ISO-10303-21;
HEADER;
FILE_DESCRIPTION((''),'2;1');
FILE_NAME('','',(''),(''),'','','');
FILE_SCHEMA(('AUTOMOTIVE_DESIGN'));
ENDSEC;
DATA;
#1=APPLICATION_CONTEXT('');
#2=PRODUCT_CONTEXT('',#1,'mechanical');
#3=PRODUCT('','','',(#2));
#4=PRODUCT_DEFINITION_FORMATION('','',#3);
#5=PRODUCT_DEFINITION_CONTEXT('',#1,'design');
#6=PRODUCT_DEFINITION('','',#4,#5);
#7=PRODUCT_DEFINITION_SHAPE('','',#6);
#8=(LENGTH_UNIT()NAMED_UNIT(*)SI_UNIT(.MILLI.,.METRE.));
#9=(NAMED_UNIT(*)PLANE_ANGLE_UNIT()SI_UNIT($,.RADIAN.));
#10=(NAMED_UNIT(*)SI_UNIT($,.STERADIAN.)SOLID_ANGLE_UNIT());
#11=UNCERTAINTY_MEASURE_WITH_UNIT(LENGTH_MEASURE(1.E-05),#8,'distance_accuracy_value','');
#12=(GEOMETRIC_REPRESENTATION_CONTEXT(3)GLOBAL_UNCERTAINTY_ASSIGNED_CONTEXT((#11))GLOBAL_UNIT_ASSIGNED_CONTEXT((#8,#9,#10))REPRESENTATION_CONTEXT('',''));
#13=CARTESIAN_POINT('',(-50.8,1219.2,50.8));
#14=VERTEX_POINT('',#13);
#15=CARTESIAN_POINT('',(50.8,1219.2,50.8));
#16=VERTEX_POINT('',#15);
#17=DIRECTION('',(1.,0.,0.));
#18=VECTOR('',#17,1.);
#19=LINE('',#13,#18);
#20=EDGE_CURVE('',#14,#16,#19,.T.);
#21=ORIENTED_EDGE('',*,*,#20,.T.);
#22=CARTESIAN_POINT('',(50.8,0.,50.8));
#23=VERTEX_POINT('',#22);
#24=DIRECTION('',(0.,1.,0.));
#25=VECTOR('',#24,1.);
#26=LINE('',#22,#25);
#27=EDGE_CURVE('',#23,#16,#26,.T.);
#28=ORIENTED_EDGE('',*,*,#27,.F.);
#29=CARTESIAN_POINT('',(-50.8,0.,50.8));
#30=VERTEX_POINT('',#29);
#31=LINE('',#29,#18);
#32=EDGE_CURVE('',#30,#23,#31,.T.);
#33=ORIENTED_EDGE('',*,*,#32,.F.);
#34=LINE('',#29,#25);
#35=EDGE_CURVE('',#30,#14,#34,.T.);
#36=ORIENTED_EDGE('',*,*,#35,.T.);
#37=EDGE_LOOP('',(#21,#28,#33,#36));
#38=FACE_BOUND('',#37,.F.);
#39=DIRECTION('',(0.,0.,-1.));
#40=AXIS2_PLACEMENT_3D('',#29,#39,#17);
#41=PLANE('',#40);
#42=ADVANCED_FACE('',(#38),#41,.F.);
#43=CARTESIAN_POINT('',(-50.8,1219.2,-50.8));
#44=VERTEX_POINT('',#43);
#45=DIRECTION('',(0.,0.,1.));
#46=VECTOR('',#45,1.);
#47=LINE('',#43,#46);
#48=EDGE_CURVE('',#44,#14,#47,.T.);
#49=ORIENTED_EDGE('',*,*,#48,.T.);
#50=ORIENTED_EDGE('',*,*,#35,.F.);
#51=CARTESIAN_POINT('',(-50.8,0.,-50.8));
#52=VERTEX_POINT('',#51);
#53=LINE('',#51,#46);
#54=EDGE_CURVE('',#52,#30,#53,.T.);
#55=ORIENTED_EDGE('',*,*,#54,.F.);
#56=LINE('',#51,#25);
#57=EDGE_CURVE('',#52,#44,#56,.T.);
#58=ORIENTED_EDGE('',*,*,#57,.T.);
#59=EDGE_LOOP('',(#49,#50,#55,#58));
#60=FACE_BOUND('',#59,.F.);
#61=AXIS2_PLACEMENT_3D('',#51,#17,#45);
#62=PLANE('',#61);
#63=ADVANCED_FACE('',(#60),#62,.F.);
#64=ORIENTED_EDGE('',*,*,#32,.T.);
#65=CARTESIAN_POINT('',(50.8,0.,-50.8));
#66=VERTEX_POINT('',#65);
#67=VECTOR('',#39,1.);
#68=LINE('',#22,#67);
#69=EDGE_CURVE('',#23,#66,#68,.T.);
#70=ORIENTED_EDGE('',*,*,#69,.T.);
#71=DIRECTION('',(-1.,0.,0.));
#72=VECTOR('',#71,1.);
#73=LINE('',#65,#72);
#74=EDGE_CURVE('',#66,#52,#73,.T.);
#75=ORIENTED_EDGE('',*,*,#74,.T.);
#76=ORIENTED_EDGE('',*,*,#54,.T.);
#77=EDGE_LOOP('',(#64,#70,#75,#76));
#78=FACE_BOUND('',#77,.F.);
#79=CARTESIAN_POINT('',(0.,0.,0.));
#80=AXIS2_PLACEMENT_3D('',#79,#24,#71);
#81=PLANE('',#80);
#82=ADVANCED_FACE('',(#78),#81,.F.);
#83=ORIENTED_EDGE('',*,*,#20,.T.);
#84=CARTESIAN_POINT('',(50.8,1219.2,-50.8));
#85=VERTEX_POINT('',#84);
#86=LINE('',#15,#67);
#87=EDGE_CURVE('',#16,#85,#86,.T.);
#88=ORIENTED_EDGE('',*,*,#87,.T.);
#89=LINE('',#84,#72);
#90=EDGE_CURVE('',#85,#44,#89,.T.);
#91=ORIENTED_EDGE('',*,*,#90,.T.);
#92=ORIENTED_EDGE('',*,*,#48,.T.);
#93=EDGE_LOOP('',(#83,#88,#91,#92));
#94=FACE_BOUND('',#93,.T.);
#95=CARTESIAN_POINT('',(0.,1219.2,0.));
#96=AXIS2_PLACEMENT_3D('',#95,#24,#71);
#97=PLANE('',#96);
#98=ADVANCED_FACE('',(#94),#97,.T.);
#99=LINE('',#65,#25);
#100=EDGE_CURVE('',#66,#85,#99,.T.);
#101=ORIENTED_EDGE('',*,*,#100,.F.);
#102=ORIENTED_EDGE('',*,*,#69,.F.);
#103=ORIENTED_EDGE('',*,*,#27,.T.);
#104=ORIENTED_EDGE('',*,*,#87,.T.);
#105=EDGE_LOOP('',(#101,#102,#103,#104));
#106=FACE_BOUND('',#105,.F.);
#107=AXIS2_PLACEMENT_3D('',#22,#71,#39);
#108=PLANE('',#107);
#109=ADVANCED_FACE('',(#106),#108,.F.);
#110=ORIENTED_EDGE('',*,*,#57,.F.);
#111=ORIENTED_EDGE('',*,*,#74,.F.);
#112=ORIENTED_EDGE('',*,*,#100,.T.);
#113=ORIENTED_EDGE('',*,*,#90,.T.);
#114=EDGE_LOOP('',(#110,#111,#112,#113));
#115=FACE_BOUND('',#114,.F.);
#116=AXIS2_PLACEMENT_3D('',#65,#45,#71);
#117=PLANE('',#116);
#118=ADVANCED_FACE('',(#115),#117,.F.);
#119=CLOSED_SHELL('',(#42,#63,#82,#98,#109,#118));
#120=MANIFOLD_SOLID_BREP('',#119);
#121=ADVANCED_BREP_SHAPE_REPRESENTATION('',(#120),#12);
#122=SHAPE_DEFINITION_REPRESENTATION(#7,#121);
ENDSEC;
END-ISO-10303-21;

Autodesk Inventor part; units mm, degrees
ref_plane "YZ Plane" through (0, 0, 0) normal (1, 0, 0) x (0, 1, 0)
ref_plane "XZ Plane" through (0, 0, 0) normal (0, 1, 0) x (-1, 0, 0)
ref_plane "XY Plane" through (0, 0, 0) normal (0, 0, 1) x (1, 0, 0)
sketch "Sketch1" plane through (0, 0, 0) normal (0, 1, 0) x (-1, 0, 0)
  line L0 (-50.8, 50.8) -> (-50.8, -50.8)
  line L1 (-50.8, -50.8) -> (50.8, -50.8)
  line L2 (50.8, -50.8) -> (50.8, 50.8)
  line L3 (50.8, 50.8) -> (-50.8, 50.8)
  line L4 (-50.8, 50.8) -> (50.8, -50.8) construction
  line L5 (-50.8, -50.8) -> (50.8, 50.8) construction
  point P0 (0, 0)
  dimension "d0" = 101.6
  dimension "d1" = 101.6
extrude "Extrusion1" add sketch "Sketch1" along normal blind 1219.2
sketch "Sketch2" plane through (0, 1219.2, 0) normal (0, 1, 0) x (1, 0, 0)
  line L0 (50.8, 50.8) -> (-50.8, 50.8) projected
  line L1 (50.8, -50.8) -> (-50.8, -50.8)
  line L2 (-50.8, -50.8) -> (-50.8, 50.8)
  line L3 (-50.8, 50.8) -> (50.8, 50.8)
  line L4 (50.8, 50.8) -> (50.8, -50.8)
  line L5 (50.8, -50.8) -> (-50.8, 50.8) construction
  line L6 (-50.8, -50.8) -> (50.8, 50.8) construction
  point P0 (0, 0)
properties part number "4x4x48" material "Wood (Birch)"
